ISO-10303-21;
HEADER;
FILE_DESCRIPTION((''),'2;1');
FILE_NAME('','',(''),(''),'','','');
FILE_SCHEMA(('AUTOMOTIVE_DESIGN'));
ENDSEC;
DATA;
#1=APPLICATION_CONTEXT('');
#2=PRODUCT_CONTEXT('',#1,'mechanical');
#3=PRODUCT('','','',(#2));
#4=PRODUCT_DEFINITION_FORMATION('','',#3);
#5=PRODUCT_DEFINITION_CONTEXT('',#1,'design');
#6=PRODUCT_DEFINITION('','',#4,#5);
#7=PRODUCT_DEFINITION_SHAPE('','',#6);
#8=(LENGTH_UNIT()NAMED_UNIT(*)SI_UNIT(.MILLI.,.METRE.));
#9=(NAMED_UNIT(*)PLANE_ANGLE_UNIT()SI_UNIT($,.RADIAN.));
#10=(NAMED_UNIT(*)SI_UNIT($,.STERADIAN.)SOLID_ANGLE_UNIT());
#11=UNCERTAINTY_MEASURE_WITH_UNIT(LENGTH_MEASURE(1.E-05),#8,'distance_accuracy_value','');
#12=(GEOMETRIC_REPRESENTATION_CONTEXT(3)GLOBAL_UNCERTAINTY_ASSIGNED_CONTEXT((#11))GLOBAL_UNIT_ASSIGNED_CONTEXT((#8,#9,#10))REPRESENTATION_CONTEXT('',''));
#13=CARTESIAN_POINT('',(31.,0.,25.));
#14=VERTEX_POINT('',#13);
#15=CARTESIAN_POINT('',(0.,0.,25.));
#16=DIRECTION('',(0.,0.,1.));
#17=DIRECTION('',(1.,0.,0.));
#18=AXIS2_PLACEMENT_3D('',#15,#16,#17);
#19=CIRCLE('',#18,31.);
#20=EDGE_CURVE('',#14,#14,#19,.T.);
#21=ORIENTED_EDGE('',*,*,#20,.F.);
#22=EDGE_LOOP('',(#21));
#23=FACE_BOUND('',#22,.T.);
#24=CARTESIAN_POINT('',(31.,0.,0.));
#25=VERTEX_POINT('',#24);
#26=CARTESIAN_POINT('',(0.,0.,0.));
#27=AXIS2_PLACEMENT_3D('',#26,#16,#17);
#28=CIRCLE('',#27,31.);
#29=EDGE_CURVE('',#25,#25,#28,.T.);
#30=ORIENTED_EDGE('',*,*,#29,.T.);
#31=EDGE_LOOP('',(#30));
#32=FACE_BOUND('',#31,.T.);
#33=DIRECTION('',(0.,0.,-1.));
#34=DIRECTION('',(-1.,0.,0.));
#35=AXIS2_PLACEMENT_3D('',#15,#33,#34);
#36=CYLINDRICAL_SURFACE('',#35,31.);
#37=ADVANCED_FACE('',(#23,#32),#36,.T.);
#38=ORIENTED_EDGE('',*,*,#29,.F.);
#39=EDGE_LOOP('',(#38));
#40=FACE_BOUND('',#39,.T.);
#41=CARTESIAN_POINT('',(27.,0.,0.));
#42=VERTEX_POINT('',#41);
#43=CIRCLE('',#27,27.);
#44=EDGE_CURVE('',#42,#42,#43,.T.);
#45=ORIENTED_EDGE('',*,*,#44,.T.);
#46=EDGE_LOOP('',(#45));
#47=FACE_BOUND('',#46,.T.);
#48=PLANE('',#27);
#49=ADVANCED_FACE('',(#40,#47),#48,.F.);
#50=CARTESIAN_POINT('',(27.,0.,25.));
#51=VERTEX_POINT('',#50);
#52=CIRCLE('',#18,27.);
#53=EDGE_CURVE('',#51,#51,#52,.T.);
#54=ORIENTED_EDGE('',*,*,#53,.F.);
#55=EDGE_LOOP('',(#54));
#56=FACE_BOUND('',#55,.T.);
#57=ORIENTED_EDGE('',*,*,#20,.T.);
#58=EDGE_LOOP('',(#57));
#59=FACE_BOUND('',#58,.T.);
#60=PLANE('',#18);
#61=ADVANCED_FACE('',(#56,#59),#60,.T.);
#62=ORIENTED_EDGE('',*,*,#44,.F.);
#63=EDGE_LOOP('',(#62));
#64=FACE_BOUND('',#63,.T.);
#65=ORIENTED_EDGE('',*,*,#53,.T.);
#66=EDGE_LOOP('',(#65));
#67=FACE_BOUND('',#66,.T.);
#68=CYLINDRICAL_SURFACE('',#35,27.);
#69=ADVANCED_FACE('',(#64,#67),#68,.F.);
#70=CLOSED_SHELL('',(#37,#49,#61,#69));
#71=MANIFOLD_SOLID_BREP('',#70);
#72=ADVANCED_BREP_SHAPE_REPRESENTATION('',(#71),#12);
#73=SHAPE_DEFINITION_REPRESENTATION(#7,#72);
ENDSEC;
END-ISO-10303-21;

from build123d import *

# Parameters (mm, degrees)
ESQUISSE1_R        = 31
ESQUISSE1_R_2      = 27
BOSS_EXTRU_1_DEPTH = 25


with BuildPart() as part:
    # Esquisse1 → Boss.-Extru.1 (new body)
    with BuildSketch(Plane.XY):
        Circle(ESQUISSE1_R)
        Circle(ESQUISSE1_R_2, mode=Mode.SUBTRACT)
    extrude(amount=BOSS_EXTRU_1_DEPTH)


solid = part.part
